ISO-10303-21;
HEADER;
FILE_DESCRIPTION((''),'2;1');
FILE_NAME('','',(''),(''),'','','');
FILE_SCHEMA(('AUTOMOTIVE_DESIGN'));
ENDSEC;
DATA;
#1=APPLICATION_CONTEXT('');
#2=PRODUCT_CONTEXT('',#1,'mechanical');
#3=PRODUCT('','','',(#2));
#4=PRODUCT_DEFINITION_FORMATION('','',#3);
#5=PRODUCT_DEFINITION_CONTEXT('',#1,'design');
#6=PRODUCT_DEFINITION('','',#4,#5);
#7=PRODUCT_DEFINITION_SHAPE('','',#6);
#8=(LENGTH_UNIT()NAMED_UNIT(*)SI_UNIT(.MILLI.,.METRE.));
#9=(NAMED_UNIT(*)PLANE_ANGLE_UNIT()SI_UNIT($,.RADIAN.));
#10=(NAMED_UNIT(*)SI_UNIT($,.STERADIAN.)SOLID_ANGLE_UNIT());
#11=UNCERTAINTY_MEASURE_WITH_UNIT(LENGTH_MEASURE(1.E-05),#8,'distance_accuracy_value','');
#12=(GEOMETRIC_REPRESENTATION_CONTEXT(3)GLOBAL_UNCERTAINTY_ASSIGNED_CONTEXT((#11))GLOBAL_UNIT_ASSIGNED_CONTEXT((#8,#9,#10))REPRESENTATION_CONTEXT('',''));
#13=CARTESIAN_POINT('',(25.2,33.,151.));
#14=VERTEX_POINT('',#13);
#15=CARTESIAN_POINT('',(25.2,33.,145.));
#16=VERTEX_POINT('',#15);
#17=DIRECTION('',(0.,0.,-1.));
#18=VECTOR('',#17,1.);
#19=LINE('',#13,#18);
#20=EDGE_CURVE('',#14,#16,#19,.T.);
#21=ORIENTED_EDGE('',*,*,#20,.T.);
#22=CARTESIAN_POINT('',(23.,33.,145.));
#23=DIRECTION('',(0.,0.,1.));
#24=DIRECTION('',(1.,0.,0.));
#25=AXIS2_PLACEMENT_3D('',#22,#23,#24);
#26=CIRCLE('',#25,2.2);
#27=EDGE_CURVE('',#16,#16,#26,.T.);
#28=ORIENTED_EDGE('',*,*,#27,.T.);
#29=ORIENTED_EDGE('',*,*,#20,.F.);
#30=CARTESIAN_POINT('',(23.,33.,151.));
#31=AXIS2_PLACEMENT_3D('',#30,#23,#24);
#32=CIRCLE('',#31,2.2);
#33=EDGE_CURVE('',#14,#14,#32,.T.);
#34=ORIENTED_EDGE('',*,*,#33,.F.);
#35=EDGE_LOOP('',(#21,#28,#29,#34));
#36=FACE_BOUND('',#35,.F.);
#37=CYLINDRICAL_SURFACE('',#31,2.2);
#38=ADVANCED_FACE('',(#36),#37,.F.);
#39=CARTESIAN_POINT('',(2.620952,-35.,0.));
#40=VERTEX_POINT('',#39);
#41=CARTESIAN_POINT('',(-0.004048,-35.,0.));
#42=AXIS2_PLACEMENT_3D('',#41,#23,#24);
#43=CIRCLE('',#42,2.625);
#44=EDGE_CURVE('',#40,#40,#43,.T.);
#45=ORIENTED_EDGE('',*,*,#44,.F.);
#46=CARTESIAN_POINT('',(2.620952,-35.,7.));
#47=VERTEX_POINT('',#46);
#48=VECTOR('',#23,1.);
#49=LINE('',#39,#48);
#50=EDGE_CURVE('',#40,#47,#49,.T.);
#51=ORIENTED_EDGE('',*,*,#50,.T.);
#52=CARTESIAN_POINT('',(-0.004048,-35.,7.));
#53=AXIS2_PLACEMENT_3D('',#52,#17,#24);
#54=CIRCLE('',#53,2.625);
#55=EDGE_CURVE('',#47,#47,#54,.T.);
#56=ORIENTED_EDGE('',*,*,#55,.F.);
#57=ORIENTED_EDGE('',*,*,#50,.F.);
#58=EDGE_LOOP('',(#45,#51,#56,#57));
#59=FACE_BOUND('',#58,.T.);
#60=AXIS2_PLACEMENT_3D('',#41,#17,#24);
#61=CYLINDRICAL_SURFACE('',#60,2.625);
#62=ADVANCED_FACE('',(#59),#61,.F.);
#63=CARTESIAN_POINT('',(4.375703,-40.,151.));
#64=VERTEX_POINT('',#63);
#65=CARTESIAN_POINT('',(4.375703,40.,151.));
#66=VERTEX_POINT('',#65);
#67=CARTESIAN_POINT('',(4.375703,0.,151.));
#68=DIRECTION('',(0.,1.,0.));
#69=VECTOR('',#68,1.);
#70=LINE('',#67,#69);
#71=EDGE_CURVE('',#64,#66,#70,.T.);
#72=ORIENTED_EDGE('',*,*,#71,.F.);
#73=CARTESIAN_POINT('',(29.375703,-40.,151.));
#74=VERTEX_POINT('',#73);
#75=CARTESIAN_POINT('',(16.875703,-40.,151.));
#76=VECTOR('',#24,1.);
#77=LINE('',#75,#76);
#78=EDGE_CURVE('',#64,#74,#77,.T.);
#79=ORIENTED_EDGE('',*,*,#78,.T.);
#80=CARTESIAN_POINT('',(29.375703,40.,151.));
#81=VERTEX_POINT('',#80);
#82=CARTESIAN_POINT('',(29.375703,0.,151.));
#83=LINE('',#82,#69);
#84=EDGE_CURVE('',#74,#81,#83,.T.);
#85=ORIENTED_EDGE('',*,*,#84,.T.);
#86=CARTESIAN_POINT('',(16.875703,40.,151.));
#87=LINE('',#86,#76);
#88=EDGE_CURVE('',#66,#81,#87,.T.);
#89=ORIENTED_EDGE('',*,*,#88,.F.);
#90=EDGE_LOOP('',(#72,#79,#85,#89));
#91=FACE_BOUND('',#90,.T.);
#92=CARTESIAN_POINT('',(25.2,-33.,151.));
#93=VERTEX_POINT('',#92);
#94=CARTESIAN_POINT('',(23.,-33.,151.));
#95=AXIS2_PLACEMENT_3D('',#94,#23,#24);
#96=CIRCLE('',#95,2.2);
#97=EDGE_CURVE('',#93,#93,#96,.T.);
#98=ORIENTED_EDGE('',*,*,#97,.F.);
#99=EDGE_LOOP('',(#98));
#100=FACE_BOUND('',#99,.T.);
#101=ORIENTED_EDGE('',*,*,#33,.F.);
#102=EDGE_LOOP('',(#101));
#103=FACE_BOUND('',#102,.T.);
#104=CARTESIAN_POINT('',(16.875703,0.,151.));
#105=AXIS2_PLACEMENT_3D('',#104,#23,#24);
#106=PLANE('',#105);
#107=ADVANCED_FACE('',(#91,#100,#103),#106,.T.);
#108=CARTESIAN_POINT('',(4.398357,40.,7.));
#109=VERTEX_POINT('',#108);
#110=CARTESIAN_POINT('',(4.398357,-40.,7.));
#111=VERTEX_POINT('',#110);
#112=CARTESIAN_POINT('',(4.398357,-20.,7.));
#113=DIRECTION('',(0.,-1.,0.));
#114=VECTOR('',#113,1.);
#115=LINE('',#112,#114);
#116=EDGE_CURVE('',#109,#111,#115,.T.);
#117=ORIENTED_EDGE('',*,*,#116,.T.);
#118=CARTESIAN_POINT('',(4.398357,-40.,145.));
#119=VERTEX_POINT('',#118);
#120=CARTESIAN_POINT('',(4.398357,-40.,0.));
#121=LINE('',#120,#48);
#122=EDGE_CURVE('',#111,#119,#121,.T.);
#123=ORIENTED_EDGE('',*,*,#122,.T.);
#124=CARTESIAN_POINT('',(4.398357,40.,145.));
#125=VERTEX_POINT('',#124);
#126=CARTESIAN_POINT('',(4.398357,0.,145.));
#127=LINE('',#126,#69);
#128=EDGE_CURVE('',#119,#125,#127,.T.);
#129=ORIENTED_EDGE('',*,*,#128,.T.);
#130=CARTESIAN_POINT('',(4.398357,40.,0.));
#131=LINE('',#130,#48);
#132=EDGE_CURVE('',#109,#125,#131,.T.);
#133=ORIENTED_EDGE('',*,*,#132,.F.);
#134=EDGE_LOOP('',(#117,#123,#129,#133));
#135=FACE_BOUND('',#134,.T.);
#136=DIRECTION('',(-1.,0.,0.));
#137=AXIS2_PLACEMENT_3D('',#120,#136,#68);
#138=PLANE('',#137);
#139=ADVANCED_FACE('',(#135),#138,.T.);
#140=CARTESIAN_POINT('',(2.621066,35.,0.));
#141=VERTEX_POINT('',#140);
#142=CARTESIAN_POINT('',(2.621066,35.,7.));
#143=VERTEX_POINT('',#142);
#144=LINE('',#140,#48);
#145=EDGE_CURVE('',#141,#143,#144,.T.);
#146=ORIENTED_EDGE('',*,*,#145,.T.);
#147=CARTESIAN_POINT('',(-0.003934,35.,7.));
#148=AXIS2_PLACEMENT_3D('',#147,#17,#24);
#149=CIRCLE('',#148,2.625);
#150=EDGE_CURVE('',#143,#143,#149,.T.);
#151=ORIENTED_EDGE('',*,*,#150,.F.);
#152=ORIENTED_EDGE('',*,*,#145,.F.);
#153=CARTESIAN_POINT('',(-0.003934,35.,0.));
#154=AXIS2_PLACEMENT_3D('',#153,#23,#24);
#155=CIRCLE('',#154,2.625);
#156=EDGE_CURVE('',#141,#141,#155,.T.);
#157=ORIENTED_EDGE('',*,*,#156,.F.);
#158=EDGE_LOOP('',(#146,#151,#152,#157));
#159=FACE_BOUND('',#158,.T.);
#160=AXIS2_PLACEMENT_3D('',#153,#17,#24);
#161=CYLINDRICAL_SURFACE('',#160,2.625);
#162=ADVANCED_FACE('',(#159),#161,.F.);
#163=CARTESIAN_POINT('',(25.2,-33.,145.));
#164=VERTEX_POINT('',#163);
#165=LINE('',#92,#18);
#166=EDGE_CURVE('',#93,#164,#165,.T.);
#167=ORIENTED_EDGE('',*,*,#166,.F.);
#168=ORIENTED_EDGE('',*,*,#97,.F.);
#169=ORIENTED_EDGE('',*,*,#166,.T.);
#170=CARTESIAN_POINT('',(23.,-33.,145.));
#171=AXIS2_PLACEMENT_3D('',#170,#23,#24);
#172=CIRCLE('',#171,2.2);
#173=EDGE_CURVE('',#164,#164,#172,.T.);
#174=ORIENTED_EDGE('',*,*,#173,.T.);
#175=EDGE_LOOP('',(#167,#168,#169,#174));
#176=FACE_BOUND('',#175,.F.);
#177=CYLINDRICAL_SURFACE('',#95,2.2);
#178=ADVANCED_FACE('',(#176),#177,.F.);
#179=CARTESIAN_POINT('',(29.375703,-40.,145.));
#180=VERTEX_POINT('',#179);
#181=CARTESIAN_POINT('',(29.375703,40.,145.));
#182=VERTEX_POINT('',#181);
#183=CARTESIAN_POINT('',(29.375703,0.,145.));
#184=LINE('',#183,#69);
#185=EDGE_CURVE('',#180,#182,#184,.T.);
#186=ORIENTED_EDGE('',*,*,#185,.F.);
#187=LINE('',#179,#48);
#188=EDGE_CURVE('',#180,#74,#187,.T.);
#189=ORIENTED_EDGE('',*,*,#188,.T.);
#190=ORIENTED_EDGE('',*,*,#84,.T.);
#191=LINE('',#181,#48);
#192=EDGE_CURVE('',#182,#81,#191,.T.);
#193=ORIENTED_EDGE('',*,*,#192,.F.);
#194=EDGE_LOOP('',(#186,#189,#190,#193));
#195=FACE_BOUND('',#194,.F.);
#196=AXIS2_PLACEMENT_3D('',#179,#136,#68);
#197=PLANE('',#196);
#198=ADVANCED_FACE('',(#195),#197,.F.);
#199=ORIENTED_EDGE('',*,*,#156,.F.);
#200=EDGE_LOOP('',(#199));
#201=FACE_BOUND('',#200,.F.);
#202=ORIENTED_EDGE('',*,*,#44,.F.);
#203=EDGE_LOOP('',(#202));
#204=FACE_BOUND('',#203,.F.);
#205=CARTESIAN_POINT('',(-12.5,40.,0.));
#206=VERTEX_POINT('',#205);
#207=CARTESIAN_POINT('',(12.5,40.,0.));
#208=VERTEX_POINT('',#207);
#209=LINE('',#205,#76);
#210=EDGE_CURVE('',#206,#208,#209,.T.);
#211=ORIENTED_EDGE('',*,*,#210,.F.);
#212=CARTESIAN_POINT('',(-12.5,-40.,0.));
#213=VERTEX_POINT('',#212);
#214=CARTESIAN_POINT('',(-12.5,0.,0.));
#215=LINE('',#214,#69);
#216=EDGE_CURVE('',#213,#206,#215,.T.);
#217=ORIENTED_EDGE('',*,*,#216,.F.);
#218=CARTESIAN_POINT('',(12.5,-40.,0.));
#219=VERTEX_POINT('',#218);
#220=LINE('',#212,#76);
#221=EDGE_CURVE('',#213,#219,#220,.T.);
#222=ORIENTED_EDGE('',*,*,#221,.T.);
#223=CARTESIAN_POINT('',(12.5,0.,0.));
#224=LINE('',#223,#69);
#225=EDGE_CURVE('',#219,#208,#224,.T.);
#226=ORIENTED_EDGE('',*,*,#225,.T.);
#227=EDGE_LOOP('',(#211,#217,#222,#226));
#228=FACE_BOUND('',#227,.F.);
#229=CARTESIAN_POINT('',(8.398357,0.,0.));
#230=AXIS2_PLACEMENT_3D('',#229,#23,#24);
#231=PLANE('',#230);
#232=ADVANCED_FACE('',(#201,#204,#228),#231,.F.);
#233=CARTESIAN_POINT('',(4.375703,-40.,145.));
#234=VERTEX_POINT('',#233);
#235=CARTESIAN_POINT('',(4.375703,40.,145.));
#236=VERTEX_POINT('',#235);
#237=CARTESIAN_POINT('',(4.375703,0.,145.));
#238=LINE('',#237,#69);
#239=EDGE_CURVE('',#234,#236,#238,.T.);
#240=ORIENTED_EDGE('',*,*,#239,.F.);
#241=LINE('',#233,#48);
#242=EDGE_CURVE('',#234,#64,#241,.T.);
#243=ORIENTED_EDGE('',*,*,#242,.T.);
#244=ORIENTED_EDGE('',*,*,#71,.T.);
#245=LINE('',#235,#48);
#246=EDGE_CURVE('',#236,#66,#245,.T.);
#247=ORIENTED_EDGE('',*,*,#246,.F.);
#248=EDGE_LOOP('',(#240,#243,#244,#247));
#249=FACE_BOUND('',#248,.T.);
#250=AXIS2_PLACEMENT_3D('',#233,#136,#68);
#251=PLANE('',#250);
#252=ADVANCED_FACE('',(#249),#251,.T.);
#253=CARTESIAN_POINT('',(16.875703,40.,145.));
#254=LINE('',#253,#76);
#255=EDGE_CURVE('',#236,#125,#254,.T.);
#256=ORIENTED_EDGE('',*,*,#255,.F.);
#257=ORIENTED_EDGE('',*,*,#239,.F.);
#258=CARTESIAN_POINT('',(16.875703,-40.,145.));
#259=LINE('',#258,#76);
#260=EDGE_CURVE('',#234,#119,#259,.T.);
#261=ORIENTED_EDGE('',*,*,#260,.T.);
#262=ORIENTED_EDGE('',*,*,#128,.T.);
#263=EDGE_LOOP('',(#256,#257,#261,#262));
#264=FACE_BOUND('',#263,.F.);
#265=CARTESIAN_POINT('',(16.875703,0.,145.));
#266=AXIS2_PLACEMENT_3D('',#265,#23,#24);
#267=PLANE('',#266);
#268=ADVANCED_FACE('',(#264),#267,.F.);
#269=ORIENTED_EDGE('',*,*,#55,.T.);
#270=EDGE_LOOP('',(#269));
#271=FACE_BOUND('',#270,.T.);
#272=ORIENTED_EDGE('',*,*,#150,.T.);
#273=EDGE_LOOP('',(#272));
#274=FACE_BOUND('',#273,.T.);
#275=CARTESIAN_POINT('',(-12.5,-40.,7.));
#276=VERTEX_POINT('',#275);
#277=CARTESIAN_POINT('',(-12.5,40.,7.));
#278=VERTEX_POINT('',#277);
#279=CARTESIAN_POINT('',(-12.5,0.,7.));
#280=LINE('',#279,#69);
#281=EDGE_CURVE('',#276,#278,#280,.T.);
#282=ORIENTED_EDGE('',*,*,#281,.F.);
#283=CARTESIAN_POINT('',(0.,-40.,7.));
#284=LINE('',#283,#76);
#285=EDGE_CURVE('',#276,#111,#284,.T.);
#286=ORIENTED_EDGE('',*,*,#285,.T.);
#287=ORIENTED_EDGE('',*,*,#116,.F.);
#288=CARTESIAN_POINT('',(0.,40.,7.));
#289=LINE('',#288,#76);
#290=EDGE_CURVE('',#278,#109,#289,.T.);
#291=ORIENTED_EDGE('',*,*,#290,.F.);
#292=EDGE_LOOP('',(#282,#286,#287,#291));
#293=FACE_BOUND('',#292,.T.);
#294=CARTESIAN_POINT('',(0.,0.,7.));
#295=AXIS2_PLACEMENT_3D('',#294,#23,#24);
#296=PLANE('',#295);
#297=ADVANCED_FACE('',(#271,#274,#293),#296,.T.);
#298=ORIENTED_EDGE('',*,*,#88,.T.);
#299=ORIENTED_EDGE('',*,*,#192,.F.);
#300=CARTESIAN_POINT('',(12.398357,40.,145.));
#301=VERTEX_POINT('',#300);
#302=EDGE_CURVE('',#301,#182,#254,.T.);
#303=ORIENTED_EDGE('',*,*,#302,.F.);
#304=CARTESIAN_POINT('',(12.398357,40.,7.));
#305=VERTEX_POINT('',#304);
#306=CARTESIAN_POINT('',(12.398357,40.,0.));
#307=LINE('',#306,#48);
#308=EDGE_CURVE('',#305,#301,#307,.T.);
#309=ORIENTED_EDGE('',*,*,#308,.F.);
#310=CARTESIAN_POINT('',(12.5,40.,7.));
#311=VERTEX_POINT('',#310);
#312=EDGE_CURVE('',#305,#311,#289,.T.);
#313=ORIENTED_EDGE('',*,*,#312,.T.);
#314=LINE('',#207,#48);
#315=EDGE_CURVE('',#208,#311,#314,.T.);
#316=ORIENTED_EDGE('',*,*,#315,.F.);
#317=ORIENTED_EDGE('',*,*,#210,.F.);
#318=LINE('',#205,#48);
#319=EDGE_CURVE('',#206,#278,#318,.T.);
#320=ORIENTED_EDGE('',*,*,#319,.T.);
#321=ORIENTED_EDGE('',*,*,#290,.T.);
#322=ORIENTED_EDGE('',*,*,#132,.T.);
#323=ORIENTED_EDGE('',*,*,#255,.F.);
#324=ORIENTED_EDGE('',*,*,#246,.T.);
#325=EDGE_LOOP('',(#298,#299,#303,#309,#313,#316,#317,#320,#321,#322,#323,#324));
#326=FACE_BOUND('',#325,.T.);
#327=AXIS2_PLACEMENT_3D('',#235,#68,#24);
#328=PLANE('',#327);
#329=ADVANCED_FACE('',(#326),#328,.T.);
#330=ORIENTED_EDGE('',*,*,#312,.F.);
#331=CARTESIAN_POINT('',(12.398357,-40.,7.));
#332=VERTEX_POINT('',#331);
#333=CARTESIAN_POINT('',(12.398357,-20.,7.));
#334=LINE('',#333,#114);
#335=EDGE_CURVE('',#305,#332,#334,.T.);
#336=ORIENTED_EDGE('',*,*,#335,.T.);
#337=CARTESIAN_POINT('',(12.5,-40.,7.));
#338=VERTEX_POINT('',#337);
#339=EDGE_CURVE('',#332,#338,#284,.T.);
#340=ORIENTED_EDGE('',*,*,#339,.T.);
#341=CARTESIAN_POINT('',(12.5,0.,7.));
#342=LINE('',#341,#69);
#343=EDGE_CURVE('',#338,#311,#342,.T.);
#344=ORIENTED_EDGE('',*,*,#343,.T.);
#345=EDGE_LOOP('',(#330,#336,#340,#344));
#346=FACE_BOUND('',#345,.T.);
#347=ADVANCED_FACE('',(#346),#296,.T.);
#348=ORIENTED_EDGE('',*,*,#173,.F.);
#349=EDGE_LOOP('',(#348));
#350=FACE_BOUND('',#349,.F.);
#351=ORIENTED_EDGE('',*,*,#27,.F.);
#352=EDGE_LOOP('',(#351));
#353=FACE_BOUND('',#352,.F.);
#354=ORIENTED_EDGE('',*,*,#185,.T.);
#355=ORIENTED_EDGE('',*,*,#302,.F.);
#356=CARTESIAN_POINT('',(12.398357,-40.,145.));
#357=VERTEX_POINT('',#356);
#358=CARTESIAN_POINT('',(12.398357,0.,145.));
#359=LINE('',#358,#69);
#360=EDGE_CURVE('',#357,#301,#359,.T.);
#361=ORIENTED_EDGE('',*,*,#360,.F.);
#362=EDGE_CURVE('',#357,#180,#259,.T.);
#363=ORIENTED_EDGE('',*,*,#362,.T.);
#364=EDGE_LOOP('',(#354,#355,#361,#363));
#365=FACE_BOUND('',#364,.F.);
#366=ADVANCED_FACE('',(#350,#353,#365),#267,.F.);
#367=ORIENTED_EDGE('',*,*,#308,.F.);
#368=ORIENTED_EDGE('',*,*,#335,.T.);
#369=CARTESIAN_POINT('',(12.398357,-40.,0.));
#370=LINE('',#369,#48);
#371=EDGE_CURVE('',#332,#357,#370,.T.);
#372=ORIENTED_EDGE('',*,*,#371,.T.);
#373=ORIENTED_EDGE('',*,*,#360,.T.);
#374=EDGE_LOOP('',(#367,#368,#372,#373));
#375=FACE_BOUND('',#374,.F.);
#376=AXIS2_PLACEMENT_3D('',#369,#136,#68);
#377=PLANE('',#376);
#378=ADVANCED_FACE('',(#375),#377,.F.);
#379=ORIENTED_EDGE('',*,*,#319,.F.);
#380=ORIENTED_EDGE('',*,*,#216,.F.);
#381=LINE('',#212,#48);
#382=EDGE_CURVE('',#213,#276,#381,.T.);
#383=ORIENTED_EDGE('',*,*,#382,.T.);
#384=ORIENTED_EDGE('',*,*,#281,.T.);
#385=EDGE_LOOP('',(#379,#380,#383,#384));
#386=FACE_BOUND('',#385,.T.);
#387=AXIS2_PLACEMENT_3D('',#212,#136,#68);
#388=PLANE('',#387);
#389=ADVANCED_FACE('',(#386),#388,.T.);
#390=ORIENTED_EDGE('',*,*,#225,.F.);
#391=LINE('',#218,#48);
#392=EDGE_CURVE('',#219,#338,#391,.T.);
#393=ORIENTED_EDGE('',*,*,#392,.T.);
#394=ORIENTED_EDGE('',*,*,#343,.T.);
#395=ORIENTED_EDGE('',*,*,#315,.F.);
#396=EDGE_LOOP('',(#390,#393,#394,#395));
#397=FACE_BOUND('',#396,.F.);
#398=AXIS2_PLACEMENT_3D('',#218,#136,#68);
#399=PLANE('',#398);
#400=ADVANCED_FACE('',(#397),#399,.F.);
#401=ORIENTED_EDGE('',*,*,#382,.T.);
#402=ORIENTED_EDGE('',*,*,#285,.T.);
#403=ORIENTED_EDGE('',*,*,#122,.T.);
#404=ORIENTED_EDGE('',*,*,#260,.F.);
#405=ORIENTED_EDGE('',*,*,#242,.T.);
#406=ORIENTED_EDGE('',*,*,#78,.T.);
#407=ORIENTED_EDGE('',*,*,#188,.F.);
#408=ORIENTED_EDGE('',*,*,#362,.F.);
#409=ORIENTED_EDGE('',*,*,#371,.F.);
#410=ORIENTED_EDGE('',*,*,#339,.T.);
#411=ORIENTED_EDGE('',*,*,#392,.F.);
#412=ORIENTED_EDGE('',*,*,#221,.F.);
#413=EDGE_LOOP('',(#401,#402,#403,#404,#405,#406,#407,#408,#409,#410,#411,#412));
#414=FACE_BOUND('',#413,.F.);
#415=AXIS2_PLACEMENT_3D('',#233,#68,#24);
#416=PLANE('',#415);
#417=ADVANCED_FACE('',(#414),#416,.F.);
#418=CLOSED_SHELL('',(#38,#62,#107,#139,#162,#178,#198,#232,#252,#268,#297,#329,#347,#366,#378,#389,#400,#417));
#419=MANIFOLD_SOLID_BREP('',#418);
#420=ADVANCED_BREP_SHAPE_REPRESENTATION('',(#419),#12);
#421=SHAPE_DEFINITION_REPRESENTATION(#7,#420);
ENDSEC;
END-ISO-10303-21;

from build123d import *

# Parameters (mm, degrees)
SKETCH_W        = 25
SKETCH_H        = 80
PAD_DEPTH       = 7
SKETCH001_R     = 2.625
POCKET_DEPTH    = 8
SKETCH002_W     = 8
SKETCH002_H     = 80
PAD001_DEPTH    = 145
SKETCH003_W     = 25
SKETCH003_H     = 80
PAD002_DEPTH    = 6
SKETCH004_R     = 2.2
POCKET001_DEPTH = 7


with BuildPart() as part:
    # Sketch → Pad (new body)
    with BuildSketch(Plane.XY):
        Rectangle(SKETCH_W, SKETCH_H)
    extrude(amount=PAD_DEPTH)

    # Sketch001 → Pocket (cut)
    with BuildSketch(Plane.XY):
        with Locations((-0.003934, 35)):
            Circle(SKETCH001_R)
        with Locations((-0.004048, -35)):
            Circle(SKETCH001_R)
    extrude(amount=POCKET_DEPTH, mode=Mode.SUBTRACT)

    # Sketch002 → Pad001 (join)
    with BuildSketch(Plane.XY):
        with Locations((8.398357, 0)):
            Rectangle(SKETCH002_W, SKETCH002_H)
    extrude(amount=PAD001_DEPTH)

    # Sketch003 (on Face18 of Pad001) → Pad002 (join)
    with BuildSketch(Plane.XY.offset(145)):
        with Locations((16.875703, 0)):
            Rectangle(SKETCH003_W, SKETCH003_H)
    extrude(amount=PAD002_DEPTH)

    # Sketch004 (on Face7 of Pad002) → Pocket001 (cut)
    with BuildSketch(Plane.XY.offset(151)):
        with Locations((23, 33)):
            Circle(SKETCH004_R)
        with Locations((23, -33)):
            Circle(SKETCH004_R)
    extrude(amount=-POCKET001_DEPTH, mode=Mode.SUBTRACT)


solid = part.part
